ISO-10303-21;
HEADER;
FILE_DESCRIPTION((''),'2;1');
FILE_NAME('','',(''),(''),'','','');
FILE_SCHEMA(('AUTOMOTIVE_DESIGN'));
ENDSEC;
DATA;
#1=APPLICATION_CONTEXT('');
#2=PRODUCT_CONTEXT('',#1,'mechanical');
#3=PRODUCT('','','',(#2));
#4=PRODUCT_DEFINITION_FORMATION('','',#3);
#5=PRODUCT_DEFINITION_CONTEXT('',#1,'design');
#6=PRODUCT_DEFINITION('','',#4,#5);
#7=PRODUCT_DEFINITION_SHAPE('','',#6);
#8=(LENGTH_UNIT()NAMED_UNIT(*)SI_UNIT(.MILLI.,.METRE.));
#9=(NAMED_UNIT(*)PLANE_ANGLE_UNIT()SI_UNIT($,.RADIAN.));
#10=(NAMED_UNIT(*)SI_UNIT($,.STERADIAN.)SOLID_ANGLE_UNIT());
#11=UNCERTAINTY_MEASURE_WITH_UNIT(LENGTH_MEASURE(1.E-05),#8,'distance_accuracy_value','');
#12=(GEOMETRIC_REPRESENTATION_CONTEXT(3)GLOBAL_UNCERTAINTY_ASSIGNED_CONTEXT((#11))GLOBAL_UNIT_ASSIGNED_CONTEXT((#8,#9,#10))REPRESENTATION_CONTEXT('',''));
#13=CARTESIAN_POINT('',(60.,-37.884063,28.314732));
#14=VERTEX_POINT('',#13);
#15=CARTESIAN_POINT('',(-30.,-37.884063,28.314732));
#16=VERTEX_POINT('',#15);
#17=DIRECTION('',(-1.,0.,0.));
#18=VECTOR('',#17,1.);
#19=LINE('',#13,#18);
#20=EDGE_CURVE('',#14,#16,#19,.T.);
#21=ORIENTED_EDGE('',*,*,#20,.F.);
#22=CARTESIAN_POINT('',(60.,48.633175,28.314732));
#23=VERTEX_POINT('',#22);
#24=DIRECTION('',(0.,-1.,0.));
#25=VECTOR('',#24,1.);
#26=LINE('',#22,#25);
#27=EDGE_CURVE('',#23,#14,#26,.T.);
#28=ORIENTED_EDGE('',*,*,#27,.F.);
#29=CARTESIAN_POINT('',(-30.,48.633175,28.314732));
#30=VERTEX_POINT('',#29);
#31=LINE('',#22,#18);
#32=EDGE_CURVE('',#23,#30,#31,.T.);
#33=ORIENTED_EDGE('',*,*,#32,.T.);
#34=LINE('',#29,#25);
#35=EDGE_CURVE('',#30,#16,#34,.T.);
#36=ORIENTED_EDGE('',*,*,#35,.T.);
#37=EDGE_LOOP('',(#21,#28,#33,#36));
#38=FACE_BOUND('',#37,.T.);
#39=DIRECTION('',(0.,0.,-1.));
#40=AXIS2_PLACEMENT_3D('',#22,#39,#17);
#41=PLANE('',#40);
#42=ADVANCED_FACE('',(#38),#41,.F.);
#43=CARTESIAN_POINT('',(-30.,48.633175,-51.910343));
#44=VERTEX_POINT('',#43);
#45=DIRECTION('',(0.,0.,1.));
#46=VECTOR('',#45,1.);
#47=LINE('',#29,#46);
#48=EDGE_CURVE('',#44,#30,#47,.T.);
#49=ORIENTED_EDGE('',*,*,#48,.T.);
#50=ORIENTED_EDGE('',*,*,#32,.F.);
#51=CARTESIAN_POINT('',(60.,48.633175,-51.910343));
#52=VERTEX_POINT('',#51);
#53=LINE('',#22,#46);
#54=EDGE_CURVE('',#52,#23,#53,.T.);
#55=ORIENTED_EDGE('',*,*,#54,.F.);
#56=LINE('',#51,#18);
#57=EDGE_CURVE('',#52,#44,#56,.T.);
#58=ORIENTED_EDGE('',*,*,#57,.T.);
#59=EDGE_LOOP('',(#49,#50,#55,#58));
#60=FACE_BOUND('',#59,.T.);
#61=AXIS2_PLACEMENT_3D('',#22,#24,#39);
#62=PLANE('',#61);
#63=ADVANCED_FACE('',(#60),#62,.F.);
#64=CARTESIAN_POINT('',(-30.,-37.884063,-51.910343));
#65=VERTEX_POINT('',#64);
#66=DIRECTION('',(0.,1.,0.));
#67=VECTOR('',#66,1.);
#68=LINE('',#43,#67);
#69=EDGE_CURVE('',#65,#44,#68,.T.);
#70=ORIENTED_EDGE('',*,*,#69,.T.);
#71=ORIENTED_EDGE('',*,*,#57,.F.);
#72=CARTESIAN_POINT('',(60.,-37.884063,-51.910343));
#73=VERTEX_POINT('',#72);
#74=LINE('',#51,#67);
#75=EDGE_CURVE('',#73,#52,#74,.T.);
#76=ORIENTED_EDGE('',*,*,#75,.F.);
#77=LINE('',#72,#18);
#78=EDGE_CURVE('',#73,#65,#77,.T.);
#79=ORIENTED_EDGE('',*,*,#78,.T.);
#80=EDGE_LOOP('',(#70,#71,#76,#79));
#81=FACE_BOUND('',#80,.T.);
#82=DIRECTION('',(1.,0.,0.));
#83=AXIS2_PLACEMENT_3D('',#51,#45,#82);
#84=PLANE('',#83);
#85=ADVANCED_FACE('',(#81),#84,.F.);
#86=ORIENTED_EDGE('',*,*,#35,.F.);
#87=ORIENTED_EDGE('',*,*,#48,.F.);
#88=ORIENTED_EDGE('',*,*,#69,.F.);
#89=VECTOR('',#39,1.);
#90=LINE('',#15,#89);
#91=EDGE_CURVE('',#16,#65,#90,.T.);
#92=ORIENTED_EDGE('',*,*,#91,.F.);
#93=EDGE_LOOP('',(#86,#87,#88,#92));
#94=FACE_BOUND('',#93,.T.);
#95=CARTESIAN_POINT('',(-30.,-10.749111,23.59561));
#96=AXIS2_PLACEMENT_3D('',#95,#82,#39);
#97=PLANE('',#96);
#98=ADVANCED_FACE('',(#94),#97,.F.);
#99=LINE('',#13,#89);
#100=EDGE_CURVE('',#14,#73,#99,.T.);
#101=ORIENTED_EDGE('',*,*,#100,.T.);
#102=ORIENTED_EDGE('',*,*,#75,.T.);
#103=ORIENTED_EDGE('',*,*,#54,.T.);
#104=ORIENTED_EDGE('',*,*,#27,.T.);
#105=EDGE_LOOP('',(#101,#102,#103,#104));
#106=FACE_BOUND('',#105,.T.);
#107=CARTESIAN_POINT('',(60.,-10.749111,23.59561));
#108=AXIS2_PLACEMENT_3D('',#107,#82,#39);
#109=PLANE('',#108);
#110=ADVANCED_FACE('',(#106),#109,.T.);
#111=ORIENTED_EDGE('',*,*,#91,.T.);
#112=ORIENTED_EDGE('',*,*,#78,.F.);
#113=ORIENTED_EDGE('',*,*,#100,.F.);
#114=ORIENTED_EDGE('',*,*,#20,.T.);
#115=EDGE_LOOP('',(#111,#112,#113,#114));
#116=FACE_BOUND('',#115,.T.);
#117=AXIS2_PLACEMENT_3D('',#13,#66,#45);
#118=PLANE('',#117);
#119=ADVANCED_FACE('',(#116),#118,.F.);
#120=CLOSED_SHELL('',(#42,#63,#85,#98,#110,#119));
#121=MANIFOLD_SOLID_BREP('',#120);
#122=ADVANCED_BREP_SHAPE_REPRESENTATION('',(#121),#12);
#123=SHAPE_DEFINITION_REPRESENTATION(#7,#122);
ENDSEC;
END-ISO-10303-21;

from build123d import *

# Parameters (mm, degrees)
SKETCH1_W           = 26.741691754
SKETCH1_H           = 28.839079344
BOSS_EXTRUDE1_DEPTH = 30
SCALE1_SCALE        = 3


with BuildPart() as part:
    # Sketch1 → Boss-Extrude1 (new body)
    with BuildSketch(Plane(origin=(0, 0, 0), x_dir=(0, 0, -1), z_dir=(1, 0, 0))):
        with Locations((11.797805186, 5.374555696)):
            Rectangle(SKETCH1_W, SKETCH1_H)
    extrude(amount=BOSS_EXTRUDE1_DEPTH)


with BuildPart() as part_1:
    # Scale1: scaled about (15, 5.374555696, -11.797805186)
    add(part.part.scale(SCALE1_SCALE).moved(Location((-30, -10.749111392, 23.595610372))))


solid = part_1.part
